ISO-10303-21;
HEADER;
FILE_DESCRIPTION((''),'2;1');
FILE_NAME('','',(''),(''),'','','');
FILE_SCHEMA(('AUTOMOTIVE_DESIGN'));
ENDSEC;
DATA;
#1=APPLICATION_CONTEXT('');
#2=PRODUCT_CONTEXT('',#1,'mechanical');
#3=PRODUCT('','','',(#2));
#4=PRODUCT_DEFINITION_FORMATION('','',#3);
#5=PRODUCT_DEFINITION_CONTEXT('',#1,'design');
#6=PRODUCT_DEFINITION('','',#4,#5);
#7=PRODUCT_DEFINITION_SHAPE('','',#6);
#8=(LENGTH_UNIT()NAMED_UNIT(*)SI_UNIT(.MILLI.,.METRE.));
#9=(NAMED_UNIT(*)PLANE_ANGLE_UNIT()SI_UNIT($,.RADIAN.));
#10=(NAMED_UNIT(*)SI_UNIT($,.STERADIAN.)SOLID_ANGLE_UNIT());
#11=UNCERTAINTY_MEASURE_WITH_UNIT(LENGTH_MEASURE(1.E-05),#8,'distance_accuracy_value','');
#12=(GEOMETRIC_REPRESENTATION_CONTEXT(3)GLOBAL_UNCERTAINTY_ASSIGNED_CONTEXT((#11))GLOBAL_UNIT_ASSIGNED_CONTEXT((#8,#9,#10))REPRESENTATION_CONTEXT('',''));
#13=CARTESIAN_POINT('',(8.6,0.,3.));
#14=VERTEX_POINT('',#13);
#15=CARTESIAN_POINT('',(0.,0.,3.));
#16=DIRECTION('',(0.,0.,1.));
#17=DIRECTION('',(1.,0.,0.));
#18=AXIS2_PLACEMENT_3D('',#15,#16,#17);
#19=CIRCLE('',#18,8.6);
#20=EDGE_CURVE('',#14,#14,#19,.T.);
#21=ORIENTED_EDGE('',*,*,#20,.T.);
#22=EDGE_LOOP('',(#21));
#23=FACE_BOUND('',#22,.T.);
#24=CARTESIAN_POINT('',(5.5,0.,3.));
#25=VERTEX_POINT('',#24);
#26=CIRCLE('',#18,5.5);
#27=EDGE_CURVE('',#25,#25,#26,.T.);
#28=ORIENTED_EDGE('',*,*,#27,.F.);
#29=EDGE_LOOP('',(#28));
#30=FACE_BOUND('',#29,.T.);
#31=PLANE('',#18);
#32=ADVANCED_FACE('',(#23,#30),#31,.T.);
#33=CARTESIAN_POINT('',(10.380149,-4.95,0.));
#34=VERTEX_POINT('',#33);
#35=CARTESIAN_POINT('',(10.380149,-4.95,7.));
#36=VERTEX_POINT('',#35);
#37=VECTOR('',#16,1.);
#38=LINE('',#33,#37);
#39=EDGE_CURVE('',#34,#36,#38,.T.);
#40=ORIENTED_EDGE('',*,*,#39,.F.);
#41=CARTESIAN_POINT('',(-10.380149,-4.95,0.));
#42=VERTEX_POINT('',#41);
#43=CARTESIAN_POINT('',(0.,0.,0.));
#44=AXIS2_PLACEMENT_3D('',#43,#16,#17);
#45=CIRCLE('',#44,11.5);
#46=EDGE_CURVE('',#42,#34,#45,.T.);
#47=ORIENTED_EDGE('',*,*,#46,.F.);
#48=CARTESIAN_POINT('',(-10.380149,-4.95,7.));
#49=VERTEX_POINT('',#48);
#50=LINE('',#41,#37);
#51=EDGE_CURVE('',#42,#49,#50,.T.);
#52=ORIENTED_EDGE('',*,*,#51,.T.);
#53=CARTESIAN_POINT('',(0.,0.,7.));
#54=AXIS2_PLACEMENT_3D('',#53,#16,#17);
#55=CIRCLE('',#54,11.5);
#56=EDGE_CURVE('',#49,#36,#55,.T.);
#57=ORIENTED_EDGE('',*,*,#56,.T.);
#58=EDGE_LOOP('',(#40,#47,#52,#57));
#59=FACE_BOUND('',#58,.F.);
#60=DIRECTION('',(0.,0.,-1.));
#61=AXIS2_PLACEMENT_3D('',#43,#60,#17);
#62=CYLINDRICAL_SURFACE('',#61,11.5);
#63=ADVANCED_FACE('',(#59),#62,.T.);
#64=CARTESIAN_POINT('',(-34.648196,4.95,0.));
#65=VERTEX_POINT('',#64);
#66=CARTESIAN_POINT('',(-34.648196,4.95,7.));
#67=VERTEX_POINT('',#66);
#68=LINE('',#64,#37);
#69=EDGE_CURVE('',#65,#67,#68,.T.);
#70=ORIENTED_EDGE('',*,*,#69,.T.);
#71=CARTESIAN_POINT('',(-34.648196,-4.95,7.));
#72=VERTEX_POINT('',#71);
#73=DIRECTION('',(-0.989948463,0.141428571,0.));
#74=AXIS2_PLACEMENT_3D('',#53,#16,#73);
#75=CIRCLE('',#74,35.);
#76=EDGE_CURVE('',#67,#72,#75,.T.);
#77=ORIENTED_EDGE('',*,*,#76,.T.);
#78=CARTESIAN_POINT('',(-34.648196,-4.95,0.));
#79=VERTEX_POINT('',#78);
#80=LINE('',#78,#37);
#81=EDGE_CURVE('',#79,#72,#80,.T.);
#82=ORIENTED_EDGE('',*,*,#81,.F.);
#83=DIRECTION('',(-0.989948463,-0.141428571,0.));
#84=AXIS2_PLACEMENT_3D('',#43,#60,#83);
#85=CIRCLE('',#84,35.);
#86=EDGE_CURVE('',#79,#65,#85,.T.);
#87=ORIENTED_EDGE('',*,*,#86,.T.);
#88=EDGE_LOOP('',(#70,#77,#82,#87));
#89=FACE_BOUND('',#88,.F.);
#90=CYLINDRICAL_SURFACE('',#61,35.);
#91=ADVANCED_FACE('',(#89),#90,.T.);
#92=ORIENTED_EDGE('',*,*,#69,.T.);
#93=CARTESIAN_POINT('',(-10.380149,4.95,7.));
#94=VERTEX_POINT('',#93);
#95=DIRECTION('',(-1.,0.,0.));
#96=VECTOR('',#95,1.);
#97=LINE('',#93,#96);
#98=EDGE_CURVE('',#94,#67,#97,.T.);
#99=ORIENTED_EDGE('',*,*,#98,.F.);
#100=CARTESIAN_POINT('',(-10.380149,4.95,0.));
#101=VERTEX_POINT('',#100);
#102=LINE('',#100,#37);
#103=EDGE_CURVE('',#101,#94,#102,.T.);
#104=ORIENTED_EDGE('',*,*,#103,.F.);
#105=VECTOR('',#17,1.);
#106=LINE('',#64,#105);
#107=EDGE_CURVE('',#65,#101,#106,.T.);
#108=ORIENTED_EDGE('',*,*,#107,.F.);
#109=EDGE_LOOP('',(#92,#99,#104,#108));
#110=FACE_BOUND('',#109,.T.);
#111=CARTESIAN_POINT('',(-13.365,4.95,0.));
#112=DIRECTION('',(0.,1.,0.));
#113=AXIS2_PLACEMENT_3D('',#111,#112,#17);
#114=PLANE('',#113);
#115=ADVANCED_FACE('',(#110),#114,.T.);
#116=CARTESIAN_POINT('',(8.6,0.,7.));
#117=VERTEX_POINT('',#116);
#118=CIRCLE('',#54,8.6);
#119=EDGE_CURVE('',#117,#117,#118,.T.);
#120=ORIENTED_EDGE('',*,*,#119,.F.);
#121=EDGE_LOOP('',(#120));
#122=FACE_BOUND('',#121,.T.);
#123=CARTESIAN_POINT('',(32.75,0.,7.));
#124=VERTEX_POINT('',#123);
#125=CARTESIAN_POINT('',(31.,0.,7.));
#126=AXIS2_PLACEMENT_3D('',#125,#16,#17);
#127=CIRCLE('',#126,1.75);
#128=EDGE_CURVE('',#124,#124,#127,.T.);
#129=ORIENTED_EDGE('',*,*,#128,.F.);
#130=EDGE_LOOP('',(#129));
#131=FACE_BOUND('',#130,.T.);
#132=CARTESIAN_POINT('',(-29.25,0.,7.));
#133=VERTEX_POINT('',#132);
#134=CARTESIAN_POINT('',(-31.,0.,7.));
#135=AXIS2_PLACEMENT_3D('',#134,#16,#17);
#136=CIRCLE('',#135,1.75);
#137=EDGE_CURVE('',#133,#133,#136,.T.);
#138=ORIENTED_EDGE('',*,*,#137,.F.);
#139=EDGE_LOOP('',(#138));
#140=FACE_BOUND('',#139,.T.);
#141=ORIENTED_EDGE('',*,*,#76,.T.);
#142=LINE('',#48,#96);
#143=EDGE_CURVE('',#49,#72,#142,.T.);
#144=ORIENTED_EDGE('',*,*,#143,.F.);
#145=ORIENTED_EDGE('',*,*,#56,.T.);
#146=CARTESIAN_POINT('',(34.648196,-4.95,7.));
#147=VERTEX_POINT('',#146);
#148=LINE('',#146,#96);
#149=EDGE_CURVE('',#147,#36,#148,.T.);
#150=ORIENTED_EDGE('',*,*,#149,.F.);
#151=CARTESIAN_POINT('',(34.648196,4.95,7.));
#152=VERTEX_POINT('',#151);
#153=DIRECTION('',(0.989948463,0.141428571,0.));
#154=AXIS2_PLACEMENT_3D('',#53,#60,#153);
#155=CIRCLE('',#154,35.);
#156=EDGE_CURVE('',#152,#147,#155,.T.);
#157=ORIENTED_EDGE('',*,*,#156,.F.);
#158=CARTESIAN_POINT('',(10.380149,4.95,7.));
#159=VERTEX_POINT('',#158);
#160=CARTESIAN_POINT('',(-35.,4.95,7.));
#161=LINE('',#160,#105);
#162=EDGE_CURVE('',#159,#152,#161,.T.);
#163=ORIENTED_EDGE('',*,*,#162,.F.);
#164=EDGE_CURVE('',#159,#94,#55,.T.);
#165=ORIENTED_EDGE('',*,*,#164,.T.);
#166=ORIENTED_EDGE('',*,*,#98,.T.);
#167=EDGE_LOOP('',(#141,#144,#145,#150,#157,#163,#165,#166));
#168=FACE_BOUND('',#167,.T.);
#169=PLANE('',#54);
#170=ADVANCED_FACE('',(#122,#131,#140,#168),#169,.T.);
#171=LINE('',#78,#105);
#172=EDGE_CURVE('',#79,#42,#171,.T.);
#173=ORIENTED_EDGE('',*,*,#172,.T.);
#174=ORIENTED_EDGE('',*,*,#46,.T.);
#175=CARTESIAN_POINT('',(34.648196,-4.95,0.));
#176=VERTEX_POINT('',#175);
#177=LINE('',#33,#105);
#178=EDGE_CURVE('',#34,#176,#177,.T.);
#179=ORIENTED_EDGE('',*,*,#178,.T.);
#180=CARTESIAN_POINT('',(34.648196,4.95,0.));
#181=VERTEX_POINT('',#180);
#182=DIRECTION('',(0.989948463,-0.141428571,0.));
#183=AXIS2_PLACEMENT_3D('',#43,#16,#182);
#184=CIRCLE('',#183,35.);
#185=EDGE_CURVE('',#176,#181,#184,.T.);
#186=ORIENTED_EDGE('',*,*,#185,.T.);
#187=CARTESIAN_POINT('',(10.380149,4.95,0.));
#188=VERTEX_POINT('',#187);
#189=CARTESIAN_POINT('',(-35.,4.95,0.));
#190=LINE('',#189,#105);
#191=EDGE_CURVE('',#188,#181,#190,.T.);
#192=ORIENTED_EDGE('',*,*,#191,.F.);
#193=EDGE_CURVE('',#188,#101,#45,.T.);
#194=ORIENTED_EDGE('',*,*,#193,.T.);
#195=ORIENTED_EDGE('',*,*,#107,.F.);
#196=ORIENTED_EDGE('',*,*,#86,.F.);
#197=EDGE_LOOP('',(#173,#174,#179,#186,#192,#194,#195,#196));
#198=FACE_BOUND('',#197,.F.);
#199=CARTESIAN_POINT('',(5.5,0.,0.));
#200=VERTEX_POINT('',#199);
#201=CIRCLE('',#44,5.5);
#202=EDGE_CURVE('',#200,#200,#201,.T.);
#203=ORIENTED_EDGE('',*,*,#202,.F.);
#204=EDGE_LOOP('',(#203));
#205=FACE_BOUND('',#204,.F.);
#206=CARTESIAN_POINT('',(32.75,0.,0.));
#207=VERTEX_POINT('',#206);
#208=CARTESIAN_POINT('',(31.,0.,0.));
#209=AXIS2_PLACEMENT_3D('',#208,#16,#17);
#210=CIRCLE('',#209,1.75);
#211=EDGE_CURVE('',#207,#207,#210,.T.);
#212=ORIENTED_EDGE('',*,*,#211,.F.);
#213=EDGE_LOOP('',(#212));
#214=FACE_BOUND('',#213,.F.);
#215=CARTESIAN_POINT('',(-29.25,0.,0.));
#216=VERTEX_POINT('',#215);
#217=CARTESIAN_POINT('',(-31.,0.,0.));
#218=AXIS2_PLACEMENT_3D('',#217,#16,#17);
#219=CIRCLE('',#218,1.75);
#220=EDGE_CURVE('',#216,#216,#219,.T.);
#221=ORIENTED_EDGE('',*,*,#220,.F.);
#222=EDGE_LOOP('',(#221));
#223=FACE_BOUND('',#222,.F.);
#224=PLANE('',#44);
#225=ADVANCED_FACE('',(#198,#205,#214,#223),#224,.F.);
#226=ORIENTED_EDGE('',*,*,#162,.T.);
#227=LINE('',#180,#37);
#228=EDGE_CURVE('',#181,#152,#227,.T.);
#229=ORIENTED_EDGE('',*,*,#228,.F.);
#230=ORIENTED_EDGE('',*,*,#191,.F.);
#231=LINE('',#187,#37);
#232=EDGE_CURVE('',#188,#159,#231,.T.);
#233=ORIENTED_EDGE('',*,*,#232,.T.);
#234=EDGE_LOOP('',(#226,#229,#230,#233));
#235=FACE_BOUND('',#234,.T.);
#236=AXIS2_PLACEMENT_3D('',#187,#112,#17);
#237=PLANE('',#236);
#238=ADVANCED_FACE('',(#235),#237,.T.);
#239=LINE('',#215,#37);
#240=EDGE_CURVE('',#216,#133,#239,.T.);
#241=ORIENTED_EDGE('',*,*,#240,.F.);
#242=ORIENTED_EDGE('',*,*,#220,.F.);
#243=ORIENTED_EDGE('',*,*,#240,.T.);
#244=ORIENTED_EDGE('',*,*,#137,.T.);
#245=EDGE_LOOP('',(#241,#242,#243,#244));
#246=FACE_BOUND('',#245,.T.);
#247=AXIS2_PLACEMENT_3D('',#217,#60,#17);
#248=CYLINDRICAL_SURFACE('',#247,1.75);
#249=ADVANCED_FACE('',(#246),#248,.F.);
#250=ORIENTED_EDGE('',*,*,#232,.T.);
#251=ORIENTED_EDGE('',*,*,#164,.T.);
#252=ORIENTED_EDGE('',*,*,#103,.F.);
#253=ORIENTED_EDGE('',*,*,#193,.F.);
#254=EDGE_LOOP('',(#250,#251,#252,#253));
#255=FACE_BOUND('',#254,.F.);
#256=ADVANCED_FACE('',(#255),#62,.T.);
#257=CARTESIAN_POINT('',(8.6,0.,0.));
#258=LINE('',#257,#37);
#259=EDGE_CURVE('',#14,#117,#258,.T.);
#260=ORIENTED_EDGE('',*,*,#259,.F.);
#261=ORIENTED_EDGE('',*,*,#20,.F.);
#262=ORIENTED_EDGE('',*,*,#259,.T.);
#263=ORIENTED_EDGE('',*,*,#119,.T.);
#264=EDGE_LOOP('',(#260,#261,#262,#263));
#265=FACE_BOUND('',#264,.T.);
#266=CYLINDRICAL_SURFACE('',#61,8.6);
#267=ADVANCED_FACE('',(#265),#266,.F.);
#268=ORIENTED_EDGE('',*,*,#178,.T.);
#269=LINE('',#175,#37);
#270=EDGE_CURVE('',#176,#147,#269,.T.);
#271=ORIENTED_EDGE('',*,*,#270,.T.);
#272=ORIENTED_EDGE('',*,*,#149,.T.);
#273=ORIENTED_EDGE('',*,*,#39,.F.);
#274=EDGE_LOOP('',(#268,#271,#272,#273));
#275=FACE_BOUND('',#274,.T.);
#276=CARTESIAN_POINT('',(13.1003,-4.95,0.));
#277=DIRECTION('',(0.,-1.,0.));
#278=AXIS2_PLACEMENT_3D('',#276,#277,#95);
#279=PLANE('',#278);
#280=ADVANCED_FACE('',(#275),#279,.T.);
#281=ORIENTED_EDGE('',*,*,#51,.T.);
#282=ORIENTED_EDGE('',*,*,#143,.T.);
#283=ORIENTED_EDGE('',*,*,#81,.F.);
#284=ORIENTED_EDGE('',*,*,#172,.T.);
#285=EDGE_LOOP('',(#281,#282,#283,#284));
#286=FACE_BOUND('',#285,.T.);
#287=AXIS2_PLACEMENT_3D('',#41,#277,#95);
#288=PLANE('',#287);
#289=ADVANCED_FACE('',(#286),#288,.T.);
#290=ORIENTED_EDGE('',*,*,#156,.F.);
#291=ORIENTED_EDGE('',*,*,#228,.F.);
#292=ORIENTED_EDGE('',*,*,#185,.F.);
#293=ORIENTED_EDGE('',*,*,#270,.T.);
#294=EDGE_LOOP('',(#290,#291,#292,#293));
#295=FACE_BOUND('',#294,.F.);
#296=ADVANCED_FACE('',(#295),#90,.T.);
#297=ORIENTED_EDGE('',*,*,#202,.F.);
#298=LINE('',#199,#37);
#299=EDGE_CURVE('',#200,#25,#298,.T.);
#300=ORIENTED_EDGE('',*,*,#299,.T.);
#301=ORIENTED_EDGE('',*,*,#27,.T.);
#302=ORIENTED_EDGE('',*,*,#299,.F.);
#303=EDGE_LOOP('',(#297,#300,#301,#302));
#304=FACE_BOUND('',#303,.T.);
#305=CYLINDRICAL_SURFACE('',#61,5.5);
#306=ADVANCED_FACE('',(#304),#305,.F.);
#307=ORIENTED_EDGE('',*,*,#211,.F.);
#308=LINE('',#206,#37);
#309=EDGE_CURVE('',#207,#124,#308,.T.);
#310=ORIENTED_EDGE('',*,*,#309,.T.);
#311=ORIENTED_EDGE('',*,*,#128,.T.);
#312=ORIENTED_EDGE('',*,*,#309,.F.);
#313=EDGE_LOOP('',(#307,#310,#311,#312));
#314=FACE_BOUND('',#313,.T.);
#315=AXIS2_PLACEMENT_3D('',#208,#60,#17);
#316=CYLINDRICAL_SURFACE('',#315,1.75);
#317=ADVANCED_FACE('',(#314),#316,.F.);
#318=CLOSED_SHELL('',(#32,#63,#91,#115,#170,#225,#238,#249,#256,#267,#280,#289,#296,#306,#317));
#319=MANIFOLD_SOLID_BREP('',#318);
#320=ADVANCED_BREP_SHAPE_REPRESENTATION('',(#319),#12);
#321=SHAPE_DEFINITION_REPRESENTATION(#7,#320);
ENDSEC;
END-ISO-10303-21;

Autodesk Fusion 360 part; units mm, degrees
sketch "Szkic1" plane through (0, 0, 0) normal (0, 0, 1) x (1, 0, 0)
  circle A0 centre (0, 0) radius 11.5
  circle A1 centre (0, 0) radius 8.6
  circle A2 centre (0, 0) radius 5.5
  dimension "d1" = 23
  dimension "d2" = 17.2
  dimension "d7" = 11
extrude "Wyciągnięcie proste1" add sketch "Szkic1" along normal blind 7 contours A0
extrude "Wyciągnięcie proste2" add sketch "Szkic1" along normal blind 3 contours A1
sketch "Szkic2" plane through (0, 0, 0) normal (0, 0, 1) x (1, 0, 0)
  line L0 (13.1003, -4.95) -> (-13.365, -4.95)
  line L1 (-13.365, -4.95) -> (-13.365, 5.05)
  line L2 (-13.365, 5.05) -> (13.635, 5.05)
  line L3 (13.1003, -4.95) -> (-13.365, 5.05) construction
  line L4 (-13.365, -4.95) -> (13.635, 5.05) construction
  line L5 (35, -4.95) -> (-35, -4.95)
  line L6 (-35, -4.95) -> (-35, 4.95)
  line L7 (-35, 4.95) -> (35, 4.95)
  line L8 (35, 4.95) -> (35, -4.95)
  line L9 (35, -4.95) -> (-35, 4.95) construction
  line L10 (-13.365, -4.95) -> (-21.365, -4.95)
  line L11 (-21.365, -4.95) -> (-21.365, 4.95)
  line L12 (-21.365, 4.95) -> (-13.365, 4.95)
  line L13 (-13.365, 4.95) -> (-13.365, -4.95)
  circle A0 centre (0, 0) radius 11.5
  line L14 (-35, -4.95) -> (-11.3867, -1.6104) construction
  line L15 (0, 0) -> (35, 4.95) construction
  line L16 (-18.365, 4.95) -> (-18.365, -4.95)
  circle A1 centre (0, 0) radius 35
  circle A2 centre (-31, 0) radius 1.75
  circle A3 centre (31, 0) radius 1.75
  dimension "d8" = 27
  dimension "d9" = 10
  dimension "d10" = 70
  dimension "d11" = 9.9
  dimension "d12" = 8
  dimension "d15" = 3
  dimension "d36" = 3.5
  dimension "d37" = 4
  dimension "d38" = 4
extrude "Wyciągnięcie proste3" add sketch "Szkic2" along normal blind 7 contours L0 L5 L7 A0 A1 | L0 L1 L5 L7 L13 A0 | L5 L7 L11 A1 | L1 L5 L7 L10 L12 L13 L16 | L5 L7 L10 L11 L12 L16
